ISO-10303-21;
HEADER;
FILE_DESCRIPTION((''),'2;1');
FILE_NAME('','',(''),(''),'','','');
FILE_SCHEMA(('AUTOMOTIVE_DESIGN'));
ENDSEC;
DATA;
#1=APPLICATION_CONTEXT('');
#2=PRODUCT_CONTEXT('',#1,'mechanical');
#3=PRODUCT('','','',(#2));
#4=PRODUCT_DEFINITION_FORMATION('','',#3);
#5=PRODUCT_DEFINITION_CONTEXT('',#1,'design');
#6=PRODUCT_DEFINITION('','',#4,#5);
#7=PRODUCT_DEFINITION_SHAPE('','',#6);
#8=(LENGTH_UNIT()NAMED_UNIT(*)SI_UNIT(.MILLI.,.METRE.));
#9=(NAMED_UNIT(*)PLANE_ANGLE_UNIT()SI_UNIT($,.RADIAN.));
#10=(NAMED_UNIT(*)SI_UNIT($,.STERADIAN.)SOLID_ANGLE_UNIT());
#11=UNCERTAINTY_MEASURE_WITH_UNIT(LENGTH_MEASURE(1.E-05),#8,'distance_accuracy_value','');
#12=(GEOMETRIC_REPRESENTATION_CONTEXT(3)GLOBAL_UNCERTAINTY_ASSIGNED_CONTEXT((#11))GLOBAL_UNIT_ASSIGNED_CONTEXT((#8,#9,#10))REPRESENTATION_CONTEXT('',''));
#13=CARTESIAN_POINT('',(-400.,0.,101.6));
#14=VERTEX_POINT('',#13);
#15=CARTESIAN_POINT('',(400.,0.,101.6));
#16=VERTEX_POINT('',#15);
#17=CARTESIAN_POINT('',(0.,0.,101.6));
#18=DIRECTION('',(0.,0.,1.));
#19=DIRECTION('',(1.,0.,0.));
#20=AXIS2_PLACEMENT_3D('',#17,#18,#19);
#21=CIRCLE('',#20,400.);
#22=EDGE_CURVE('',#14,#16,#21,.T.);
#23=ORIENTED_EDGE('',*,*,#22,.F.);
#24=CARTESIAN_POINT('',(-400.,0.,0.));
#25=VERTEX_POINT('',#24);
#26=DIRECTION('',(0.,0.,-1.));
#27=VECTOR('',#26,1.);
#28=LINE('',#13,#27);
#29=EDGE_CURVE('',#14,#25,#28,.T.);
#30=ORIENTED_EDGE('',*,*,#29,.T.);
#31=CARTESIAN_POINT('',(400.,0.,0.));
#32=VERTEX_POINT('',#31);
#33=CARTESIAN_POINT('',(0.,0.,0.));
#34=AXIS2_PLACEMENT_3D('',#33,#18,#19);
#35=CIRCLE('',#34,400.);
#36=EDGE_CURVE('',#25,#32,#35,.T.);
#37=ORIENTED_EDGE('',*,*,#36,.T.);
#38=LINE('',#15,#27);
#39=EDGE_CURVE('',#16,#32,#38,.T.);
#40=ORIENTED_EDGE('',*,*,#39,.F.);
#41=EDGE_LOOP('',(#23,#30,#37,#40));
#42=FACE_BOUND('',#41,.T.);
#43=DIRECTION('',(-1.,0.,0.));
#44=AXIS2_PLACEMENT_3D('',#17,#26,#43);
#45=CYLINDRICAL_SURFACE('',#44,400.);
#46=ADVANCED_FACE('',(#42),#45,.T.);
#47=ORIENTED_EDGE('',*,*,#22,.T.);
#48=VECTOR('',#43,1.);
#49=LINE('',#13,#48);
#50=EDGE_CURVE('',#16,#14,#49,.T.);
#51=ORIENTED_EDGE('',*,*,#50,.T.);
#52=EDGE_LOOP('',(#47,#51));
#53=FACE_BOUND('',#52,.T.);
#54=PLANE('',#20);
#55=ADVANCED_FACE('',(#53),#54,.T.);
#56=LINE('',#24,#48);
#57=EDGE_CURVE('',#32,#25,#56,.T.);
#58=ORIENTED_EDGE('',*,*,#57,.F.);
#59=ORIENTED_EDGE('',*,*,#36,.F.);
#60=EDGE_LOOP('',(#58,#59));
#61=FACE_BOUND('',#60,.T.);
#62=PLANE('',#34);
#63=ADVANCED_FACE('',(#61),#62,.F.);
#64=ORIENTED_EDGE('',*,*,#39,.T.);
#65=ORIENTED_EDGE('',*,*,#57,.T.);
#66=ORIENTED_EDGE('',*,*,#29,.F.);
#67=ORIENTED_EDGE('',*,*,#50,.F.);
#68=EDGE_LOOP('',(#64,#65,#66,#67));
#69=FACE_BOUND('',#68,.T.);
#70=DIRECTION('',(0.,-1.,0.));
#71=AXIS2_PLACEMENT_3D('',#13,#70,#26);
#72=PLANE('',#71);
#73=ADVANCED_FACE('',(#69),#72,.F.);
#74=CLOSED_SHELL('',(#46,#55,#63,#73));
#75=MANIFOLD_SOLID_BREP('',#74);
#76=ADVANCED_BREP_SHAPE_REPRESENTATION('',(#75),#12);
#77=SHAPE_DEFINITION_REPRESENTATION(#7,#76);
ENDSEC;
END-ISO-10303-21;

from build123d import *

# Parameters (mm, degrees)
BOSS_EXTRUDE1_DEPTH = 101.6


with BuildPart() as part:
    # Sketch1 → Boss-Extrude1 (new body)
    with BuildSketch(Plane.XY):
        with BuildLine():
            Line((-400, 0), (400, 0))
            ThreePointArc((400, 0), (0, -400), (-400, 0))
        make_face()
    extrude(amount=BOSS_EXTRUDE1_DEPTH)


solid = part.part
